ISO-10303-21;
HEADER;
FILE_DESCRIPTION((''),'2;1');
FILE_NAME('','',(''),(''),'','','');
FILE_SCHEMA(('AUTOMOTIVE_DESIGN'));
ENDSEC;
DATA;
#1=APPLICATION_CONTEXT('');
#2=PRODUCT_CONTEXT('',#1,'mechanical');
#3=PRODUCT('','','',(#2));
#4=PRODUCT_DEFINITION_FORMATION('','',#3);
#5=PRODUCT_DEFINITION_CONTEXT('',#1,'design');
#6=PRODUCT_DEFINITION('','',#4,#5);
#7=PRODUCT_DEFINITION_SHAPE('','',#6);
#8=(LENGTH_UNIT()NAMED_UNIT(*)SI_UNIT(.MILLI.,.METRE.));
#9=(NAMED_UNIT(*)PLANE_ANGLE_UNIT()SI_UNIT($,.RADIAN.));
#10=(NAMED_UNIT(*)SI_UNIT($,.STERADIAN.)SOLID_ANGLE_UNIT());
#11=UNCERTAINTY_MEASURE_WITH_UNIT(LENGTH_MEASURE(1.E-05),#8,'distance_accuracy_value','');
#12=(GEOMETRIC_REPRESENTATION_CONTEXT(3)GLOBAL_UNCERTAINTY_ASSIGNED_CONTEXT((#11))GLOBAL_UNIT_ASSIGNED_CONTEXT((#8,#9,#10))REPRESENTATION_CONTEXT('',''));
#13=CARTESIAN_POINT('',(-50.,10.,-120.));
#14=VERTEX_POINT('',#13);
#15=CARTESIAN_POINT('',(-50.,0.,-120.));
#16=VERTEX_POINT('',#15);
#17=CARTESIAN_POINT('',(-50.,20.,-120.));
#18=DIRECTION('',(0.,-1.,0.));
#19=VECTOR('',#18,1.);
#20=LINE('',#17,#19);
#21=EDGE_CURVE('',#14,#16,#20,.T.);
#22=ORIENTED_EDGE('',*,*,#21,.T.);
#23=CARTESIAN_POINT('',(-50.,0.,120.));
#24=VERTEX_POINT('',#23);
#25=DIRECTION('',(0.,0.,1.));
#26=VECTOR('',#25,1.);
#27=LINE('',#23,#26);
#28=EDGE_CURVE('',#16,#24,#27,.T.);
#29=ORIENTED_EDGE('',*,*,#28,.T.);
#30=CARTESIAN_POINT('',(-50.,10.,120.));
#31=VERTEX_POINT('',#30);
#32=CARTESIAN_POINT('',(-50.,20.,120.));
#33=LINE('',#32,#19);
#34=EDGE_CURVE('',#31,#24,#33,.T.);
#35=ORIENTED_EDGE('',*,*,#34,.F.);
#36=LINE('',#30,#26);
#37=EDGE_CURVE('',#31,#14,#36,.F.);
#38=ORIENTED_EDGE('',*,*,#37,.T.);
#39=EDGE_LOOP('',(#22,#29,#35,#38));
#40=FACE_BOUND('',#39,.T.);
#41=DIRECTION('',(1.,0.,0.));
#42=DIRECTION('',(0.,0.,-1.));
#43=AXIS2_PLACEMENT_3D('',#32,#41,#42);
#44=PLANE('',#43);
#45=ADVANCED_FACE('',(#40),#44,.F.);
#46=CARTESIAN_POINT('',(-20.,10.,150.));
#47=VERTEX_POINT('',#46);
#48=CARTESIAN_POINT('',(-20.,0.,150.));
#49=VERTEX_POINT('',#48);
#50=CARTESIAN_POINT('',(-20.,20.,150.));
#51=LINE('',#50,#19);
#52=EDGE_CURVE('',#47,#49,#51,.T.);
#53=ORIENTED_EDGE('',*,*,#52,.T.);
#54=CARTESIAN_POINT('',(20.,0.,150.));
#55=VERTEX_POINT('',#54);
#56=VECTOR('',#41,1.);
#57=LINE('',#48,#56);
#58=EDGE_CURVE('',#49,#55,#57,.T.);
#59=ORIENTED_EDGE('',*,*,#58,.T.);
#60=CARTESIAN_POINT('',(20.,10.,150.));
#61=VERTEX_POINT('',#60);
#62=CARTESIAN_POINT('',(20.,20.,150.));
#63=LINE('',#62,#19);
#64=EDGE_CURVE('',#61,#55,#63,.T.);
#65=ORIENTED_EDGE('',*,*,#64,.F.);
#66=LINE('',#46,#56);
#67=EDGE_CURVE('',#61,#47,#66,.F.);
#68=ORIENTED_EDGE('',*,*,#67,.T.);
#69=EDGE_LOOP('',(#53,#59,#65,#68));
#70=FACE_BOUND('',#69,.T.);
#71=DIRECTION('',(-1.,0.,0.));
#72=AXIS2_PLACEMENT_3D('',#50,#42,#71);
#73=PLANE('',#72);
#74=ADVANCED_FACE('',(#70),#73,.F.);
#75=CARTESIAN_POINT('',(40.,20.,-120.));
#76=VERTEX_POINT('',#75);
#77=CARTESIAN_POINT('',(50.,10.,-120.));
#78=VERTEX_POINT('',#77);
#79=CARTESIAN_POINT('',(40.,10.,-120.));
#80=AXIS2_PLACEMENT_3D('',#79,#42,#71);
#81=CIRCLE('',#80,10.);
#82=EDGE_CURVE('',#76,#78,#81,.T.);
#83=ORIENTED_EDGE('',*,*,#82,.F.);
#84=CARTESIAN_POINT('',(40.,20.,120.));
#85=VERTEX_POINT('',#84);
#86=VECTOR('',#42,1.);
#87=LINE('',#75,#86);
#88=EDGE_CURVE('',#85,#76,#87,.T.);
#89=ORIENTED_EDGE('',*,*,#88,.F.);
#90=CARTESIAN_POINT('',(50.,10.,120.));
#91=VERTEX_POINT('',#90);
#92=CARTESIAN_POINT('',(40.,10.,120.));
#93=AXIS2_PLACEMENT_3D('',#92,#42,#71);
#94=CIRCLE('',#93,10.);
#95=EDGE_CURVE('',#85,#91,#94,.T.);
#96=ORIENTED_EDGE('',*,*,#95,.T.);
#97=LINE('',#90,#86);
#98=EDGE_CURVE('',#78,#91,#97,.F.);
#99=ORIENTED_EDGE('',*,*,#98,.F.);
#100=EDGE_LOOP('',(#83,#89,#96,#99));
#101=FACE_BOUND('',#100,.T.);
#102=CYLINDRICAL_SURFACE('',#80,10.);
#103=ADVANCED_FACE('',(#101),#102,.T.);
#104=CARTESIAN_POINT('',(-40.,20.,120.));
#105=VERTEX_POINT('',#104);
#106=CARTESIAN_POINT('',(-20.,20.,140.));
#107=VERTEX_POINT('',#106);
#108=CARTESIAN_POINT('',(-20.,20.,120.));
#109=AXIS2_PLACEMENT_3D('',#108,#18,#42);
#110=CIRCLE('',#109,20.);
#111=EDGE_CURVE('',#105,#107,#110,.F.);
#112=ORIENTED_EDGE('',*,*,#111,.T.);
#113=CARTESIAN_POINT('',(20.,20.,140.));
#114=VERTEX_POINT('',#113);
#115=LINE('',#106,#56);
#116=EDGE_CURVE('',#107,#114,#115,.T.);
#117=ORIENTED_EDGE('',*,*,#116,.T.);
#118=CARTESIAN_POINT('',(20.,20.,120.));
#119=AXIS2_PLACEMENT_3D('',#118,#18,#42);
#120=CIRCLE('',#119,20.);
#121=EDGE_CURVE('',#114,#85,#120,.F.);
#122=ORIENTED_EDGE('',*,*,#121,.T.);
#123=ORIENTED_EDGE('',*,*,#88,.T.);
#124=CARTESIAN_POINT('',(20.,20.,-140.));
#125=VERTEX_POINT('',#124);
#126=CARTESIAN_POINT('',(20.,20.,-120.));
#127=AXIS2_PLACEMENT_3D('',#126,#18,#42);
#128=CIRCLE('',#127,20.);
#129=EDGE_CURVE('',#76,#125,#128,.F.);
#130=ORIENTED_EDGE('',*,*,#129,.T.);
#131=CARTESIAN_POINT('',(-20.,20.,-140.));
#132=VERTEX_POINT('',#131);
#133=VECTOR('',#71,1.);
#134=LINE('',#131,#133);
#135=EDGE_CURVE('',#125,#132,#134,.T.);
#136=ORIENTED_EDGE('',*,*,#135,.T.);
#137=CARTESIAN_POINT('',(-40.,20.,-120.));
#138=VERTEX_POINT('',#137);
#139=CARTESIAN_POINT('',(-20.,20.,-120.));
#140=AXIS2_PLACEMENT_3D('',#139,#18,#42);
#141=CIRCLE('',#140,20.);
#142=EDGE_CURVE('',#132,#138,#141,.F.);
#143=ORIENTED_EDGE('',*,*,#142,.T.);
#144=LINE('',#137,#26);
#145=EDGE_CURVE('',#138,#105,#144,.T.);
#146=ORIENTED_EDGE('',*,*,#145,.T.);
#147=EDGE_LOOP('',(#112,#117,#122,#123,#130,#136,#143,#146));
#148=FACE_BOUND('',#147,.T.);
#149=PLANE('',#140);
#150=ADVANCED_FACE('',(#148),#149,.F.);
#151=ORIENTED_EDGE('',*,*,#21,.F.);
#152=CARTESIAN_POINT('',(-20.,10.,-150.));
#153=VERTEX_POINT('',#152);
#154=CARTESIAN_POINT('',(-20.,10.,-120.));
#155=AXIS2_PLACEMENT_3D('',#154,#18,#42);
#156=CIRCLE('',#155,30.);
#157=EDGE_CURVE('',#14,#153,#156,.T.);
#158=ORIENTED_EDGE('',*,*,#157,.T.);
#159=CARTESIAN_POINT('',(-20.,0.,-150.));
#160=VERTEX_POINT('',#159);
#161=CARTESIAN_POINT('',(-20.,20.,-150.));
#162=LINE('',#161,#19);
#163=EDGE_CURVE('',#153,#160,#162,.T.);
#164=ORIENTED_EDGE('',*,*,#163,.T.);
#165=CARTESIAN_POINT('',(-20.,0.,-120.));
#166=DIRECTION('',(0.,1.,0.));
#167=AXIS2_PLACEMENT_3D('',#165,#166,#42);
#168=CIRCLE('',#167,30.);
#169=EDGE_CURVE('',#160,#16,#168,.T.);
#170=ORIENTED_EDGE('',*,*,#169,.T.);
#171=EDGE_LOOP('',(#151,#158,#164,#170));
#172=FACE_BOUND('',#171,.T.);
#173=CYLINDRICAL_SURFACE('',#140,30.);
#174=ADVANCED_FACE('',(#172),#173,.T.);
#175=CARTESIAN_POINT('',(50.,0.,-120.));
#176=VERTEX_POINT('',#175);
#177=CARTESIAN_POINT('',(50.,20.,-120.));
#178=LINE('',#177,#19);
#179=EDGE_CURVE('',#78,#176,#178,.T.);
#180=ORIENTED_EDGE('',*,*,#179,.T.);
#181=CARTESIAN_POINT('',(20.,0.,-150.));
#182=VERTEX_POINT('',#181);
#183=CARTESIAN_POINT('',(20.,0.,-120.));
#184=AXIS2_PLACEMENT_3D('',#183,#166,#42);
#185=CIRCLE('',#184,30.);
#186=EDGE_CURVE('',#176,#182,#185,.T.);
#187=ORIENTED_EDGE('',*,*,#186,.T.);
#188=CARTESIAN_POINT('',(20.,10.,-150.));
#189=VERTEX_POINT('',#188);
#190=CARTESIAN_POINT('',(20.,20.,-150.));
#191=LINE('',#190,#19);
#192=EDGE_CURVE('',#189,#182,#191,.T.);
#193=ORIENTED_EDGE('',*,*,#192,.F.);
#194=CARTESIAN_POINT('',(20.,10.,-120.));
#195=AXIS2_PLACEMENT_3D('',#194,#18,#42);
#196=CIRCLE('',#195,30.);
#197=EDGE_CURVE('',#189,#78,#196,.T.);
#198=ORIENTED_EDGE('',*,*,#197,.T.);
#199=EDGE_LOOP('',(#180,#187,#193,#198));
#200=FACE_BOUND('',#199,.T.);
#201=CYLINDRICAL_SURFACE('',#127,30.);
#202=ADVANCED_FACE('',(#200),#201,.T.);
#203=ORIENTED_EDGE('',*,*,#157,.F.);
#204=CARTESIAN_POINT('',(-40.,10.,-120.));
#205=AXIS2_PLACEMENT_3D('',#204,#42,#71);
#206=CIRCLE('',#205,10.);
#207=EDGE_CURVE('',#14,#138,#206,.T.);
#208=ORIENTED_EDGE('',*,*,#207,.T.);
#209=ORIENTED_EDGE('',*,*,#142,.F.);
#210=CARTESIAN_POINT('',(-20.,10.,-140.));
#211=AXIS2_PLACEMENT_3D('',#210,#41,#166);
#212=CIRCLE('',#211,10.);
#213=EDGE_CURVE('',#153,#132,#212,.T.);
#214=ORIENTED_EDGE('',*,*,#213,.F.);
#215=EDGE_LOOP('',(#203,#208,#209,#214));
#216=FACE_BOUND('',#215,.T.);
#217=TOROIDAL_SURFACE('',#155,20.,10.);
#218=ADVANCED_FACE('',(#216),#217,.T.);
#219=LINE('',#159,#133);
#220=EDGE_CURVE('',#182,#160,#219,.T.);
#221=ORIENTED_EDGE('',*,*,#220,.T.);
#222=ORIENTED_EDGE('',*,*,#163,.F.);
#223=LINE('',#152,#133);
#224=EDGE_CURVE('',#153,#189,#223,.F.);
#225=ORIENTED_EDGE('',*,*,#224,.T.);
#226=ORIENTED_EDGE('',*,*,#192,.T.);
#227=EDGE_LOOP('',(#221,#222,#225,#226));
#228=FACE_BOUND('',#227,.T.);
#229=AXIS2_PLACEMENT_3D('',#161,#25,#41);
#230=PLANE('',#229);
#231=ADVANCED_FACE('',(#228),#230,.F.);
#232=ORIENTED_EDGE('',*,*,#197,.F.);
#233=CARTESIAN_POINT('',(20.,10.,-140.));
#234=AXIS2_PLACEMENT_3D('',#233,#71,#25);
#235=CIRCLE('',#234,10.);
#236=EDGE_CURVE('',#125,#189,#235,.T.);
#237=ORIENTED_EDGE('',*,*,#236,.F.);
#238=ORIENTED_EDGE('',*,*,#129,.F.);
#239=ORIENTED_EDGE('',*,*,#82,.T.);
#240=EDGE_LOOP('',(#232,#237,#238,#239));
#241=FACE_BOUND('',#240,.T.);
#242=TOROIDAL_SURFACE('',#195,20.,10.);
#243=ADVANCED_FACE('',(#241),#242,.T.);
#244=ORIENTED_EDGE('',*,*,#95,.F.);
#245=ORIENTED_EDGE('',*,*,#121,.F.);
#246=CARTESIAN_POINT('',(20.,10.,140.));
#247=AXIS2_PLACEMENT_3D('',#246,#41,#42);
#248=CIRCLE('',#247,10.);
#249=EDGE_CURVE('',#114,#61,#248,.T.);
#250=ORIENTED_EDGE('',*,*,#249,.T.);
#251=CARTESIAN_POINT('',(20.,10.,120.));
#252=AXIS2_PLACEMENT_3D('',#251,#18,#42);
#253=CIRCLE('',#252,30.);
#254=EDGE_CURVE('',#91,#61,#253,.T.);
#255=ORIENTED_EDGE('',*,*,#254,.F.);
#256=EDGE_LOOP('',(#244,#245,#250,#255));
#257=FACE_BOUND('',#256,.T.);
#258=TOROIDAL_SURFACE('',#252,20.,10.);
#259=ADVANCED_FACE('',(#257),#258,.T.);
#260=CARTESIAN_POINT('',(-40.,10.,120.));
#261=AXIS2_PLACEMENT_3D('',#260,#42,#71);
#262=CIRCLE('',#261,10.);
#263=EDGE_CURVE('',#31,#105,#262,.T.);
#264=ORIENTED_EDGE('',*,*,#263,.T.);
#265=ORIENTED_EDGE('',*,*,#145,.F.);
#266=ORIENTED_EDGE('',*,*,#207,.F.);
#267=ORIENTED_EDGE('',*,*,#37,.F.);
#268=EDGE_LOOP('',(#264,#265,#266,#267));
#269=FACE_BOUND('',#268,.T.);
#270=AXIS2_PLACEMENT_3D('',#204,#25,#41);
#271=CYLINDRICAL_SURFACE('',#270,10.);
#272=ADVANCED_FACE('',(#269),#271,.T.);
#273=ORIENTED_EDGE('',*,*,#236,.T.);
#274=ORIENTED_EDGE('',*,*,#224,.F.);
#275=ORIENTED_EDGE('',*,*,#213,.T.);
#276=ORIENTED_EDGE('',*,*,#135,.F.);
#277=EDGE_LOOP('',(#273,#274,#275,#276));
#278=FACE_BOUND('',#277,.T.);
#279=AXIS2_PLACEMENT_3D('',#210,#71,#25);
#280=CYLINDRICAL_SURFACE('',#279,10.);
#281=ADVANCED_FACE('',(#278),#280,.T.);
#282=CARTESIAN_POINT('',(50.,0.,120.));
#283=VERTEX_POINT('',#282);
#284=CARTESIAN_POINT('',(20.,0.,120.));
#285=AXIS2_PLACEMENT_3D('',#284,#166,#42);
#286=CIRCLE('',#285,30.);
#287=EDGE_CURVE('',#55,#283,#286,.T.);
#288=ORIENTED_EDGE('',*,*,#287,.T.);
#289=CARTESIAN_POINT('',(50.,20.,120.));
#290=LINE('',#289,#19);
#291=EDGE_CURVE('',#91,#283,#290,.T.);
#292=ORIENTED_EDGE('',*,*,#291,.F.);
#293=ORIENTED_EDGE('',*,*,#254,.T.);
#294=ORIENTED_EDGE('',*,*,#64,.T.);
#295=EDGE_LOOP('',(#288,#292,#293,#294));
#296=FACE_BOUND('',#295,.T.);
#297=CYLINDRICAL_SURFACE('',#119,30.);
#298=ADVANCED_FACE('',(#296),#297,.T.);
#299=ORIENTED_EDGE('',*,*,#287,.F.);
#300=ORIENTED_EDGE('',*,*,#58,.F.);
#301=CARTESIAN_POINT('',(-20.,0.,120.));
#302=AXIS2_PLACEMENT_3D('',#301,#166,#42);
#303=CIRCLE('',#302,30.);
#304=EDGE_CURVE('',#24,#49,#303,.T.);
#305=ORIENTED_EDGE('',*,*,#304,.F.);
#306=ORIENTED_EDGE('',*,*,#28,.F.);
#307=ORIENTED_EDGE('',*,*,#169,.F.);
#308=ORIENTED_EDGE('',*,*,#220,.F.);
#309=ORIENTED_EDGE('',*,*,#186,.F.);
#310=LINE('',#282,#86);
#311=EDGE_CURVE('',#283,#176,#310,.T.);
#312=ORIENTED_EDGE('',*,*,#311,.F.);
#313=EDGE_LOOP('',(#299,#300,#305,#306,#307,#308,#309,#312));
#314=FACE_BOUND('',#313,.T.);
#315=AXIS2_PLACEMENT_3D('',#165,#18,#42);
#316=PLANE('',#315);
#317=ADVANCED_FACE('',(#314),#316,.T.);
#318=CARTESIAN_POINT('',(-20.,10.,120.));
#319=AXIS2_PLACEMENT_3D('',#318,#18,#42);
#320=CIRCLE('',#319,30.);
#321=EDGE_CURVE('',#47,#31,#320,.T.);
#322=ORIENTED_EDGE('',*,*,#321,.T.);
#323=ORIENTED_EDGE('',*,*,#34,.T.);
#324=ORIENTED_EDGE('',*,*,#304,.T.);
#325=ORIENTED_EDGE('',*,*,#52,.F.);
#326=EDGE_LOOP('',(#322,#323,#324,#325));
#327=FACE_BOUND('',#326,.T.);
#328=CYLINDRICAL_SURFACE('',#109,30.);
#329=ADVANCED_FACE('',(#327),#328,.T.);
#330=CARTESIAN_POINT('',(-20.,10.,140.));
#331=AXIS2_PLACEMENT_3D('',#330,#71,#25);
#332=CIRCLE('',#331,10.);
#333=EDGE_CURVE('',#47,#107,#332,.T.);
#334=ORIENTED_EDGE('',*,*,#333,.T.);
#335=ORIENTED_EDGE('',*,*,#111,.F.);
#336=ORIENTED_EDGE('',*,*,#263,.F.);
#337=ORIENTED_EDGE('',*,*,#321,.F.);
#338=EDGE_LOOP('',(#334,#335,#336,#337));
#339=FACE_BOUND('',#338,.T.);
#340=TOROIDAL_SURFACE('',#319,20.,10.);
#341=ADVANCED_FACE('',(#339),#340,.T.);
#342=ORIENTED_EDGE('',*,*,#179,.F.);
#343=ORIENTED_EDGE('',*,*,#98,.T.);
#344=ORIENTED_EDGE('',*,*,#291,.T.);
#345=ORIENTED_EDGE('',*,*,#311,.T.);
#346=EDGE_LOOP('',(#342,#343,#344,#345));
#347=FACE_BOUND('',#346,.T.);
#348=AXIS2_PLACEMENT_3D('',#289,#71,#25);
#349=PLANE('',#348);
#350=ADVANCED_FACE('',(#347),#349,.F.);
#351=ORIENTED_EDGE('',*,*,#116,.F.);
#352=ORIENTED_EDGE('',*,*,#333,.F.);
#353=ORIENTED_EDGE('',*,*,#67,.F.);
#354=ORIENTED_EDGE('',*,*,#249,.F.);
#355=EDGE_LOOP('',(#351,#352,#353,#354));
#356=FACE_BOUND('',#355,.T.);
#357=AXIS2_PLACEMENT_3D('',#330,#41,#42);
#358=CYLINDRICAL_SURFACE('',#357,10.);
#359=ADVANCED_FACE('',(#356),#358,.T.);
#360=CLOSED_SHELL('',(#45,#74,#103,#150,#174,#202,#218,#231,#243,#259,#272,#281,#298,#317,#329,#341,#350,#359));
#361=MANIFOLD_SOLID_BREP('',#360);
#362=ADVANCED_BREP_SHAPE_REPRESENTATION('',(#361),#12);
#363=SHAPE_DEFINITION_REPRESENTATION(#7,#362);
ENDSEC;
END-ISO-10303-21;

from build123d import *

# Parameters (mm, degrees)
BOSS_EXTRUDE1_DEPTH = 20
FILLET1_R           = 10


with BuildPart() as part:
    # Sketch1 → Boss-Extrude1 (new body)
    with BuildSketch(Plane(origin=(0, 0, 0), x_dir=(1, 0, 0), z_dir=(0, 1, 0))):
        with BuildLine():
            Line((-20, -150), (20, -150))
            ThreePointArc((20, -150), (41.213203436, -141.213203436), (50, -120))
            Line((50, -120), (50, 120))
            ThreePointArc((50, 120), (41.213203436, 141.213203436), (20, 150))
            Line((20, 150), (-20, 150))
            ThreePointArc((-20, 150), (-41.213203436, 141.213203436), (-50, 120))
            Line((-50, 120), (-50, -120))
            ThreePointArc((-50, -120), (-41.213203436, -141.213203436), (-20, -150))
        make_face()
    extrude(amount=BOSS_EXTRUDE1_DEPTH)

    # Fillet1
    fillet1_edges = [part.edges().sort_by_distance(p)[0] for p in [
        (-41.213203436, 20, 141.213203436),
        (0, 20, 150),
        (41.213203436, 20, 141.213203436),
        (50, 20, 0),
        (41.213203436, 20, -141.213203436),
        (0, 20, -150),
        (-41.213203436, 20, -141.213203436),
        (-50, 20, 0),
    ]]
    fillet(fillet1_edges, radius=FILLET1_R)


solid = part.part
